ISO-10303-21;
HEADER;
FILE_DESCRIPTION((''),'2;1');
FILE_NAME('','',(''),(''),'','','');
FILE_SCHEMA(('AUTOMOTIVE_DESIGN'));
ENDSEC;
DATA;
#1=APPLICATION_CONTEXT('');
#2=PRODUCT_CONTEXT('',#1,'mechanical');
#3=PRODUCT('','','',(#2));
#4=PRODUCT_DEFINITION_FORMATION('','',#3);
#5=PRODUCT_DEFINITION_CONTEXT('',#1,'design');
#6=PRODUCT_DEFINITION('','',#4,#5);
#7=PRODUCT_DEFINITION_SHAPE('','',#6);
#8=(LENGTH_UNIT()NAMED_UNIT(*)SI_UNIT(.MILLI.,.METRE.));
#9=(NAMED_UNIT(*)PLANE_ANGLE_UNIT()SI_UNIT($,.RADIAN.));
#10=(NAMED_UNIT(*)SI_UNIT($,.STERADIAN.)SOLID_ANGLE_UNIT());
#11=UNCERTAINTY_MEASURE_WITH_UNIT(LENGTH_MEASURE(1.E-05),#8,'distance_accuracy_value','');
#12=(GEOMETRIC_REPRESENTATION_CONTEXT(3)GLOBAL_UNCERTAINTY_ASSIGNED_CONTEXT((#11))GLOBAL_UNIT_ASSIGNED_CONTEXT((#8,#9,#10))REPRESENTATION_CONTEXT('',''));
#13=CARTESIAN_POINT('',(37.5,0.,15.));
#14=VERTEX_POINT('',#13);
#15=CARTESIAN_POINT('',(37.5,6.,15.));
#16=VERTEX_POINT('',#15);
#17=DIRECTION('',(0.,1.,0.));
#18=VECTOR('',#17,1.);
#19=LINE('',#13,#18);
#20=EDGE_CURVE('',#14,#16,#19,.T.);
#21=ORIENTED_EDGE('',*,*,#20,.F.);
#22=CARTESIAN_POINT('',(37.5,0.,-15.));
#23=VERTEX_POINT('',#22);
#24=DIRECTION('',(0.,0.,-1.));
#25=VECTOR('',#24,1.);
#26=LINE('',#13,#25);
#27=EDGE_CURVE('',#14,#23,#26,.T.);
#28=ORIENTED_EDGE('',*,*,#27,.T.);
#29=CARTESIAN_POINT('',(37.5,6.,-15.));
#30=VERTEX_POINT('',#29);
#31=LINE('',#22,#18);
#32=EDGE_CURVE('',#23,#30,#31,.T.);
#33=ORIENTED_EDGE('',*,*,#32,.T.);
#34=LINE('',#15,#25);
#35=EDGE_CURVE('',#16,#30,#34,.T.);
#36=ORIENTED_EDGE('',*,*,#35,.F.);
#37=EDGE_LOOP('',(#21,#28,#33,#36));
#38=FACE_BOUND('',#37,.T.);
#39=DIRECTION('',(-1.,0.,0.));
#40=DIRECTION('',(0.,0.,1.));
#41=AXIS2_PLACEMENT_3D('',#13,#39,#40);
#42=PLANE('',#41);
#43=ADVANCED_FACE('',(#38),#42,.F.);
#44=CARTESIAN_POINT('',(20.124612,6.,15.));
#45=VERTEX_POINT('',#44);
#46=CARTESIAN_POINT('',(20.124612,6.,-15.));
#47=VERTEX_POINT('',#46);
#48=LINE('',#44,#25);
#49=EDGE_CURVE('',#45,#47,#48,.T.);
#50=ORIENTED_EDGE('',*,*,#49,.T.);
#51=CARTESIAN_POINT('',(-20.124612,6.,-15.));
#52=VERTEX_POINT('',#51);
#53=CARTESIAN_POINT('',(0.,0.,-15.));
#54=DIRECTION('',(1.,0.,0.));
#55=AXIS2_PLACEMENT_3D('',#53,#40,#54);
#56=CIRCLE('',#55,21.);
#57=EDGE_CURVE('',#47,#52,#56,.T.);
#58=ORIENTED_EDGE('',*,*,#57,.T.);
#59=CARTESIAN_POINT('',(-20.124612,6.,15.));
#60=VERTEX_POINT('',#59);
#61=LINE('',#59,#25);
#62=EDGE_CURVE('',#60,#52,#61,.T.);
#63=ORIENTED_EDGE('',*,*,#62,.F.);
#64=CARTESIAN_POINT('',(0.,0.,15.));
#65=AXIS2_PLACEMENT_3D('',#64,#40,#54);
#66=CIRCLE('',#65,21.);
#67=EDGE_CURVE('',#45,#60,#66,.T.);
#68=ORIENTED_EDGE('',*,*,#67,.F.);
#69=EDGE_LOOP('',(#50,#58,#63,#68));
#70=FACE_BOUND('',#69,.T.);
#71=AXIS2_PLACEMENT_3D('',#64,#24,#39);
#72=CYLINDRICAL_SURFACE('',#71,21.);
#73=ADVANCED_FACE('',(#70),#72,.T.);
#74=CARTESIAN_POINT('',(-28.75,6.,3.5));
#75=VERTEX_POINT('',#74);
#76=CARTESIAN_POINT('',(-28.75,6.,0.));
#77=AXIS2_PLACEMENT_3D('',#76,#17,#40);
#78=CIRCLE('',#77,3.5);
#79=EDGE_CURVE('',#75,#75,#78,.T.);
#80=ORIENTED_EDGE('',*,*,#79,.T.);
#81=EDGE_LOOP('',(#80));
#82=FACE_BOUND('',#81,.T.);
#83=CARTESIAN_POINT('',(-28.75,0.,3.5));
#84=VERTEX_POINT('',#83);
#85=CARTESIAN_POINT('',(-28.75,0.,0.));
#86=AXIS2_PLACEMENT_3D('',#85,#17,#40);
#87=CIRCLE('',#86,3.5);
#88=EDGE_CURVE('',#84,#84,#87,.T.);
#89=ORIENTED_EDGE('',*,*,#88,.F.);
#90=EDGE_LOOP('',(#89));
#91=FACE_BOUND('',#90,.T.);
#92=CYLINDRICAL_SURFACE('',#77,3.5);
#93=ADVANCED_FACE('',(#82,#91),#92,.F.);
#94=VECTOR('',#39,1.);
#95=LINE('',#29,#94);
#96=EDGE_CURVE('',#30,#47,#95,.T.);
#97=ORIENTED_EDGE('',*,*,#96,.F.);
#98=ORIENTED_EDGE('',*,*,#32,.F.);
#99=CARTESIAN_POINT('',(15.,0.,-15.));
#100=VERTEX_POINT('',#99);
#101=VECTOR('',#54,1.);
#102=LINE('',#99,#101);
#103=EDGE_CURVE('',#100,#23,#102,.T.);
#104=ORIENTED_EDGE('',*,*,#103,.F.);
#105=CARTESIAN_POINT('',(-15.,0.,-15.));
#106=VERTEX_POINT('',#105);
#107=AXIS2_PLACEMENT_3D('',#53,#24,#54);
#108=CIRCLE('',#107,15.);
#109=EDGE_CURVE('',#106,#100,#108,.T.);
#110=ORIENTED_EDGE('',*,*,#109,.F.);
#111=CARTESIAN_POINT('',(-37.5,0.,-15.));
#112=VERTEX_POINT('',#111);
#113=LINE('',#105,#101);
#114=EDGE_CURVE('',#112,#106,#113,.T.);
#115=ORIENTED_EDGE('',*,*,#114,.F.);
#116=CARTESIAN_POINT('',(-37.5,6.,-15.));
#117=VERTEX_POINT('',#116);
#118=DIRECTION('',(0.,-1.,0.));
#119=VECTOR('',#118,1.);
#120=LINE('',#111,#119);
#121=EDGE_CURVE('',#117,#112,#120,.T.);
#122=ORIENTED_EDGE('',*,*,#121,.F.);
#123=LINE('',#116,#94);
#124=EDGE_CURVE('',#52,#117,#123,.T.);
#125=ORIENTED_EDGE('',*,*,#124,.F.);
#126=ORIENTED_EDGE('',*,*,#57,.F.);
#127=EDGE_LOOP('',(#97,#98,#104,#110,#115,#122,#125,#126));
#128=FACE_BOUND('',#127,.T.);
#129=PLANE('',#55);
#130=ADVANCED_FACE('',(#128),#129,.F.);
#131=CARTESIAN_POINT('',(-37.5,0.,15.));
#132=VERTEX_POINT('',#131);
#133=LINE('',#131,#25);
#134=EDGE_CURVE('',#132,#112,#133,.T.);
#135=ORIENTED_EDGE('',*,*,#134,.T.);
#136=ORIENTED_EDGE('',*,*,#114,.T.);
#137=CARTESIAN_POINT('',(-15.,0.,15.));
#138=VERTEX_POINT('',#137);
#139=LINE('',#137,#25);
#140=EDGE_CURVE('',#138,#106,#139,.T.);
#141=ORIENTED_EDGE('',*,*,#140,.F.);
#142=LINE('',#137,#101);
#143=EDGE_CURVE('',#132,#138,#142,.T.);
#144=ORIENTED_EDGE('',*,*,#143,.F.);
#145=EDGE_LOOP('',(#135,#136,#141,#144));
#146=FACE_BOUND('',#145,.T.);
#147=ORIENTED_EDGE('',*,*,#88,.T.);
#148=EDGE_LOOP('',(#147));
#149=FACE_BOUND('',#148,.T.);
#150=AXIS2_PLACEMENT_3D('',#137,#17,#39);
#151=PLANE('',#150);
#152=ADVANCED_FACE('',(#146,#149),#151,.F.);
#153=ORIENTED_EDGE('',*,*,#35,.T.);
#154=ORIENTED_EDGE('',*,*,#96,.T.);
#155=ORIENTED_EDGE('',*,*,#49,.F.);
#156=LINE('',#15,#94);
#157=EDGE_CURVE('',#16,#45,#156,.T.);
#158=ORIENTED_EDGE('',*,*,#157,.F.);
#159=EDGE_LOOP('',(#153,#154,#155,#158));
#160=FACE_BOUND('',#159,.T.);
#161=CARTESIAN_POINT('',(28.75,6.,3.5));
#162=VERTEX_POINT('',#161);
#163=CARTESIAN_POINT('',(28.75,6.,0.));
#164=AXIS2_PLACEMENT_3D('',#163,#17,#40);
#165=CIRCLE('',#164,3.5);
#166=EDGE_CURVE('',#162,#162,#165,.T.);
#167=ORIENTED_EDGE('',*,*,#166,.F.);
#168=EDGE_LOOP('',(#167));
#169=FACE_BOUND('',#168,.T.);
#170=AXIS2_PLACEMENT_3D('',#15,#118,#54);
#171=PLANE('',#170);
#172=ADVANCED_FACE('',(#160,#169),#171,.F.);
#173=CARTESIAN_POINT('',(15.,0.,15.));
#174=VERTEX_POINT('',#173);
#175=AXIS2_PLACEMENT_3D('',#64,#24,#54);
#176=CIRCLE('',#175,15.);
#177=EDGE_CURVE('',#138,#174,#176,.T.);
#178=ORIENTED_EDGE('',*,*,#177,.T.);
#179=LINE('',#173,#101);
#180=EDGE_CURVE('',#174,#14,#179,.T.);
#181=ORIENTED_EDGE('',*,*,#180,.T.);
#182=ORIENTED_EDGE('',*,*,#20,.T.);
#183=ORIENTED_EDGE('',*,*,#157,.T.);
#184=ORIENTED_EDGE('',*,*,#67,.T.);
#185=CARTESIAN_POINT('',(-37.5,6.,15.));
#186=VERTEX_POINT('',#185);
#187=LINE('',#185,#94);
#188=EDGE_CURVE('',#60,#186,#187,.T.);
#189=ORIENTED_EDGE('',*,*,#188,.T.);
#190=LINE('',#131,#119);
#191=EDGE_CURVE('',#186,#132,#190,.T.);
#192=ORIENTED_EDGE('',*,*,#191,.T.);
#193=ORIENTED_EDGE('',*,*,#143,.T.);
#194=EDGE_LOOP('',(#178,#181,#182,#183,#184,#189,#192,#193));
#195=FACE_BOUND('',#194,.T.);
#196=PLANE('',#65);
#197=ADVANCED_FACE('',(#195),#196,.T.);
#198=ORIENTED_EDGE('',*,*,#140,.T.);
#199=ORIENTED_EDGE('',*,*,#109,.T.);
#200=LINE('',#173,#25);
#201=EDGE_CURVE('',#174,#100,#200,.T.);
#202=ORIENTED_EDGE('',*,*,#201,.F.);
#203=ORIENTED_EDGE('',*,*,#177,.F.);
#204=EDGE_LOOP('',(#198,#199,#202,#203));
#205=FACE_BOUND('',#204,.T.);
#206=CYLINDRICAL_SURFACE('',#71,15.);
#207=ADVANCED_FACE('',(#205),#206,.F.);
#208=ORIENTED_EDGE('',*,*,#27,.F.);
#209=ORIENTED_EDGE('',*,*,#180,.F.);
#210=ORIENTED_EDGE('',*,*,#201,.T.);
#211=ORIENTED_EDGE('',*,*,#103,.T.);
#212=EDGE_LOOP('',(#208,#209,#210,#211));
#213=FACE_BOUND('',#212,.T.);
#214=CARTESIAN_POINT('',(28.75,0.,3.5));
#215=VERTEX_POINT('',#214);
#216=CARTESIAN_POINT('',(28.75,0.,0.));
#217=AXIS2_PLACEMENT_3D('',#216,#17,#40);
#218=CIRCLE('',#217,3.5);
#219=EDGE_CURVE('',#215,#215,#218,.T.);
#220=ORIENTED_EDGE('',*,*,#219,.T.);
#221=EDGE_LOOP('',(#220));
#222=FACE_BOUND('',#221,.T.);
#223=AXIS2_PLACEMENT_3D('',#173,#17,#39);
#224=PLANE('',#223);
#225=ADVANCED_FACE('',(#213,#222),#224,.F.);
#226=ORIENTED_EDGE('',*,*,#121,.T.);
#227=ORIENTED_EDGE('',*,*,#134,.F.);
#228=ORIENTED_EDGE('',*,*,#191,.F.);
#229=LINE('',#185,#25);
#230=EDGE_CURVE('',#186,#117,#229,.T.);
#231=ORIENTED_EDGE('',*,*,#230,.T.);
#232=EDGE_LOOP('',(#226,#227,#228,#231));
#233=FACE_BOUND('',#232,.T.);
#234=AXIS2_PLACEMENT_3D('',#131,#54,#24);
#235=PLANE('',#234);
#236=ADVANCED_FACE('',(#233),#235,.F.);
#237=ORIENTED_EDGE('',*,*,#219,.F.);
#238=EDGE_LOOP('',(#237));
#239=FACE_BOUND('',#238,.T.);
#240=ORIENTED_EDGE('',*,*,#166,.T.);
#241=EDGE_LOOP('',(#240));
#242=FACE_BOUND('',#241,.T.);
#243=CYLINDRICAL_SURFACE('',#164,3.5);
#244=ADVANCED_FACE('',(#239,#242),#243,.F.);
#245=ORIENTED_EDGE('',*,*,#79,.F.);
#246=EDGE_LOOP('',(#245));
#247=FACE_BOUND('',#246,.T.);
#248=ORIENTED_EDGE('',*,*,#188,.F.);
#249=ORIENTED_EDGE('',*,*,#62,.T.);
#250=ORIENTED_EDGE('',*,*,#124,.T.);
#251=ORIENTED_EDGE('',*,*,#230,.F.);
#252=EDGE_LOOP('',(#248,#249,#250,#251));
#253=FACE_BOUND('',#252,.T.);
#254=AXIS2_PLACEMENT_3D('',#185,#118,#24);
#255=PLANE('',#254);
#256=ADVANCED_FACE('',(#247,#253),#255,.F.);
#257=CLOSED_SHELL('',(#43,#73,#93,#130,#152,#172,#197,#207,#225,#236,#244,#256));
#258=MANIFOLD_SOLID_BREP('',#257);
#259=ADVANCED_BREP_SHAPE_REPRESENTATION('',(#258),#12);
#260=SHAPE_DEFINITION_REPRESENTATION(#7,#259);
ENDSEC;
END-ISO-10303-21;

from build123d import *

# Parameters (mm, degrees)
RESSALTO_EXTRUS_O1_DEPTH   = 15
FURO_DE_DI_METRO_7_0_7_1_D = 7


with BuildPart() as part:
    # Esboço1 → Ressalto-extrusão1 (new body, symmetric)
    with BuildSketch(Plane.XY):
        with BuildLine():
            Line((15, 0), (37.5, 0))
            Line((37.5, 0), (37.5, 6))
            Line((37.5, 6), (20.124611797, 6))
            ThreePointArc((20.124611797, 6), (0, 21), (-20.124611797, 6))
            Line((-20.124611797, 6), (-37.5, 6))
            Line((-37.5, 6), (-37.5, 0))
            Line((-37.5, 0), (-15, 0))
            ThreePointArc((-15, 0), (0, 15), (15, 0))
        make_face()
    extrude(amount=RESSALTO_EXTRUS_O1_DEPTH, both=True)

    # Furo de diâmetro Ø7.0 (7)1 (through all)
    with Locations(Plane(origin=(0, 6, 0), x_dir=(1, 0, 0), z_dir=(0, 1, 0))):
        with Locations((-28.75, 0), (28.75, 0)):
            Hole(FURO_DE_DI_METRO_7_0_7_1_D / 2)


solid = part.part
